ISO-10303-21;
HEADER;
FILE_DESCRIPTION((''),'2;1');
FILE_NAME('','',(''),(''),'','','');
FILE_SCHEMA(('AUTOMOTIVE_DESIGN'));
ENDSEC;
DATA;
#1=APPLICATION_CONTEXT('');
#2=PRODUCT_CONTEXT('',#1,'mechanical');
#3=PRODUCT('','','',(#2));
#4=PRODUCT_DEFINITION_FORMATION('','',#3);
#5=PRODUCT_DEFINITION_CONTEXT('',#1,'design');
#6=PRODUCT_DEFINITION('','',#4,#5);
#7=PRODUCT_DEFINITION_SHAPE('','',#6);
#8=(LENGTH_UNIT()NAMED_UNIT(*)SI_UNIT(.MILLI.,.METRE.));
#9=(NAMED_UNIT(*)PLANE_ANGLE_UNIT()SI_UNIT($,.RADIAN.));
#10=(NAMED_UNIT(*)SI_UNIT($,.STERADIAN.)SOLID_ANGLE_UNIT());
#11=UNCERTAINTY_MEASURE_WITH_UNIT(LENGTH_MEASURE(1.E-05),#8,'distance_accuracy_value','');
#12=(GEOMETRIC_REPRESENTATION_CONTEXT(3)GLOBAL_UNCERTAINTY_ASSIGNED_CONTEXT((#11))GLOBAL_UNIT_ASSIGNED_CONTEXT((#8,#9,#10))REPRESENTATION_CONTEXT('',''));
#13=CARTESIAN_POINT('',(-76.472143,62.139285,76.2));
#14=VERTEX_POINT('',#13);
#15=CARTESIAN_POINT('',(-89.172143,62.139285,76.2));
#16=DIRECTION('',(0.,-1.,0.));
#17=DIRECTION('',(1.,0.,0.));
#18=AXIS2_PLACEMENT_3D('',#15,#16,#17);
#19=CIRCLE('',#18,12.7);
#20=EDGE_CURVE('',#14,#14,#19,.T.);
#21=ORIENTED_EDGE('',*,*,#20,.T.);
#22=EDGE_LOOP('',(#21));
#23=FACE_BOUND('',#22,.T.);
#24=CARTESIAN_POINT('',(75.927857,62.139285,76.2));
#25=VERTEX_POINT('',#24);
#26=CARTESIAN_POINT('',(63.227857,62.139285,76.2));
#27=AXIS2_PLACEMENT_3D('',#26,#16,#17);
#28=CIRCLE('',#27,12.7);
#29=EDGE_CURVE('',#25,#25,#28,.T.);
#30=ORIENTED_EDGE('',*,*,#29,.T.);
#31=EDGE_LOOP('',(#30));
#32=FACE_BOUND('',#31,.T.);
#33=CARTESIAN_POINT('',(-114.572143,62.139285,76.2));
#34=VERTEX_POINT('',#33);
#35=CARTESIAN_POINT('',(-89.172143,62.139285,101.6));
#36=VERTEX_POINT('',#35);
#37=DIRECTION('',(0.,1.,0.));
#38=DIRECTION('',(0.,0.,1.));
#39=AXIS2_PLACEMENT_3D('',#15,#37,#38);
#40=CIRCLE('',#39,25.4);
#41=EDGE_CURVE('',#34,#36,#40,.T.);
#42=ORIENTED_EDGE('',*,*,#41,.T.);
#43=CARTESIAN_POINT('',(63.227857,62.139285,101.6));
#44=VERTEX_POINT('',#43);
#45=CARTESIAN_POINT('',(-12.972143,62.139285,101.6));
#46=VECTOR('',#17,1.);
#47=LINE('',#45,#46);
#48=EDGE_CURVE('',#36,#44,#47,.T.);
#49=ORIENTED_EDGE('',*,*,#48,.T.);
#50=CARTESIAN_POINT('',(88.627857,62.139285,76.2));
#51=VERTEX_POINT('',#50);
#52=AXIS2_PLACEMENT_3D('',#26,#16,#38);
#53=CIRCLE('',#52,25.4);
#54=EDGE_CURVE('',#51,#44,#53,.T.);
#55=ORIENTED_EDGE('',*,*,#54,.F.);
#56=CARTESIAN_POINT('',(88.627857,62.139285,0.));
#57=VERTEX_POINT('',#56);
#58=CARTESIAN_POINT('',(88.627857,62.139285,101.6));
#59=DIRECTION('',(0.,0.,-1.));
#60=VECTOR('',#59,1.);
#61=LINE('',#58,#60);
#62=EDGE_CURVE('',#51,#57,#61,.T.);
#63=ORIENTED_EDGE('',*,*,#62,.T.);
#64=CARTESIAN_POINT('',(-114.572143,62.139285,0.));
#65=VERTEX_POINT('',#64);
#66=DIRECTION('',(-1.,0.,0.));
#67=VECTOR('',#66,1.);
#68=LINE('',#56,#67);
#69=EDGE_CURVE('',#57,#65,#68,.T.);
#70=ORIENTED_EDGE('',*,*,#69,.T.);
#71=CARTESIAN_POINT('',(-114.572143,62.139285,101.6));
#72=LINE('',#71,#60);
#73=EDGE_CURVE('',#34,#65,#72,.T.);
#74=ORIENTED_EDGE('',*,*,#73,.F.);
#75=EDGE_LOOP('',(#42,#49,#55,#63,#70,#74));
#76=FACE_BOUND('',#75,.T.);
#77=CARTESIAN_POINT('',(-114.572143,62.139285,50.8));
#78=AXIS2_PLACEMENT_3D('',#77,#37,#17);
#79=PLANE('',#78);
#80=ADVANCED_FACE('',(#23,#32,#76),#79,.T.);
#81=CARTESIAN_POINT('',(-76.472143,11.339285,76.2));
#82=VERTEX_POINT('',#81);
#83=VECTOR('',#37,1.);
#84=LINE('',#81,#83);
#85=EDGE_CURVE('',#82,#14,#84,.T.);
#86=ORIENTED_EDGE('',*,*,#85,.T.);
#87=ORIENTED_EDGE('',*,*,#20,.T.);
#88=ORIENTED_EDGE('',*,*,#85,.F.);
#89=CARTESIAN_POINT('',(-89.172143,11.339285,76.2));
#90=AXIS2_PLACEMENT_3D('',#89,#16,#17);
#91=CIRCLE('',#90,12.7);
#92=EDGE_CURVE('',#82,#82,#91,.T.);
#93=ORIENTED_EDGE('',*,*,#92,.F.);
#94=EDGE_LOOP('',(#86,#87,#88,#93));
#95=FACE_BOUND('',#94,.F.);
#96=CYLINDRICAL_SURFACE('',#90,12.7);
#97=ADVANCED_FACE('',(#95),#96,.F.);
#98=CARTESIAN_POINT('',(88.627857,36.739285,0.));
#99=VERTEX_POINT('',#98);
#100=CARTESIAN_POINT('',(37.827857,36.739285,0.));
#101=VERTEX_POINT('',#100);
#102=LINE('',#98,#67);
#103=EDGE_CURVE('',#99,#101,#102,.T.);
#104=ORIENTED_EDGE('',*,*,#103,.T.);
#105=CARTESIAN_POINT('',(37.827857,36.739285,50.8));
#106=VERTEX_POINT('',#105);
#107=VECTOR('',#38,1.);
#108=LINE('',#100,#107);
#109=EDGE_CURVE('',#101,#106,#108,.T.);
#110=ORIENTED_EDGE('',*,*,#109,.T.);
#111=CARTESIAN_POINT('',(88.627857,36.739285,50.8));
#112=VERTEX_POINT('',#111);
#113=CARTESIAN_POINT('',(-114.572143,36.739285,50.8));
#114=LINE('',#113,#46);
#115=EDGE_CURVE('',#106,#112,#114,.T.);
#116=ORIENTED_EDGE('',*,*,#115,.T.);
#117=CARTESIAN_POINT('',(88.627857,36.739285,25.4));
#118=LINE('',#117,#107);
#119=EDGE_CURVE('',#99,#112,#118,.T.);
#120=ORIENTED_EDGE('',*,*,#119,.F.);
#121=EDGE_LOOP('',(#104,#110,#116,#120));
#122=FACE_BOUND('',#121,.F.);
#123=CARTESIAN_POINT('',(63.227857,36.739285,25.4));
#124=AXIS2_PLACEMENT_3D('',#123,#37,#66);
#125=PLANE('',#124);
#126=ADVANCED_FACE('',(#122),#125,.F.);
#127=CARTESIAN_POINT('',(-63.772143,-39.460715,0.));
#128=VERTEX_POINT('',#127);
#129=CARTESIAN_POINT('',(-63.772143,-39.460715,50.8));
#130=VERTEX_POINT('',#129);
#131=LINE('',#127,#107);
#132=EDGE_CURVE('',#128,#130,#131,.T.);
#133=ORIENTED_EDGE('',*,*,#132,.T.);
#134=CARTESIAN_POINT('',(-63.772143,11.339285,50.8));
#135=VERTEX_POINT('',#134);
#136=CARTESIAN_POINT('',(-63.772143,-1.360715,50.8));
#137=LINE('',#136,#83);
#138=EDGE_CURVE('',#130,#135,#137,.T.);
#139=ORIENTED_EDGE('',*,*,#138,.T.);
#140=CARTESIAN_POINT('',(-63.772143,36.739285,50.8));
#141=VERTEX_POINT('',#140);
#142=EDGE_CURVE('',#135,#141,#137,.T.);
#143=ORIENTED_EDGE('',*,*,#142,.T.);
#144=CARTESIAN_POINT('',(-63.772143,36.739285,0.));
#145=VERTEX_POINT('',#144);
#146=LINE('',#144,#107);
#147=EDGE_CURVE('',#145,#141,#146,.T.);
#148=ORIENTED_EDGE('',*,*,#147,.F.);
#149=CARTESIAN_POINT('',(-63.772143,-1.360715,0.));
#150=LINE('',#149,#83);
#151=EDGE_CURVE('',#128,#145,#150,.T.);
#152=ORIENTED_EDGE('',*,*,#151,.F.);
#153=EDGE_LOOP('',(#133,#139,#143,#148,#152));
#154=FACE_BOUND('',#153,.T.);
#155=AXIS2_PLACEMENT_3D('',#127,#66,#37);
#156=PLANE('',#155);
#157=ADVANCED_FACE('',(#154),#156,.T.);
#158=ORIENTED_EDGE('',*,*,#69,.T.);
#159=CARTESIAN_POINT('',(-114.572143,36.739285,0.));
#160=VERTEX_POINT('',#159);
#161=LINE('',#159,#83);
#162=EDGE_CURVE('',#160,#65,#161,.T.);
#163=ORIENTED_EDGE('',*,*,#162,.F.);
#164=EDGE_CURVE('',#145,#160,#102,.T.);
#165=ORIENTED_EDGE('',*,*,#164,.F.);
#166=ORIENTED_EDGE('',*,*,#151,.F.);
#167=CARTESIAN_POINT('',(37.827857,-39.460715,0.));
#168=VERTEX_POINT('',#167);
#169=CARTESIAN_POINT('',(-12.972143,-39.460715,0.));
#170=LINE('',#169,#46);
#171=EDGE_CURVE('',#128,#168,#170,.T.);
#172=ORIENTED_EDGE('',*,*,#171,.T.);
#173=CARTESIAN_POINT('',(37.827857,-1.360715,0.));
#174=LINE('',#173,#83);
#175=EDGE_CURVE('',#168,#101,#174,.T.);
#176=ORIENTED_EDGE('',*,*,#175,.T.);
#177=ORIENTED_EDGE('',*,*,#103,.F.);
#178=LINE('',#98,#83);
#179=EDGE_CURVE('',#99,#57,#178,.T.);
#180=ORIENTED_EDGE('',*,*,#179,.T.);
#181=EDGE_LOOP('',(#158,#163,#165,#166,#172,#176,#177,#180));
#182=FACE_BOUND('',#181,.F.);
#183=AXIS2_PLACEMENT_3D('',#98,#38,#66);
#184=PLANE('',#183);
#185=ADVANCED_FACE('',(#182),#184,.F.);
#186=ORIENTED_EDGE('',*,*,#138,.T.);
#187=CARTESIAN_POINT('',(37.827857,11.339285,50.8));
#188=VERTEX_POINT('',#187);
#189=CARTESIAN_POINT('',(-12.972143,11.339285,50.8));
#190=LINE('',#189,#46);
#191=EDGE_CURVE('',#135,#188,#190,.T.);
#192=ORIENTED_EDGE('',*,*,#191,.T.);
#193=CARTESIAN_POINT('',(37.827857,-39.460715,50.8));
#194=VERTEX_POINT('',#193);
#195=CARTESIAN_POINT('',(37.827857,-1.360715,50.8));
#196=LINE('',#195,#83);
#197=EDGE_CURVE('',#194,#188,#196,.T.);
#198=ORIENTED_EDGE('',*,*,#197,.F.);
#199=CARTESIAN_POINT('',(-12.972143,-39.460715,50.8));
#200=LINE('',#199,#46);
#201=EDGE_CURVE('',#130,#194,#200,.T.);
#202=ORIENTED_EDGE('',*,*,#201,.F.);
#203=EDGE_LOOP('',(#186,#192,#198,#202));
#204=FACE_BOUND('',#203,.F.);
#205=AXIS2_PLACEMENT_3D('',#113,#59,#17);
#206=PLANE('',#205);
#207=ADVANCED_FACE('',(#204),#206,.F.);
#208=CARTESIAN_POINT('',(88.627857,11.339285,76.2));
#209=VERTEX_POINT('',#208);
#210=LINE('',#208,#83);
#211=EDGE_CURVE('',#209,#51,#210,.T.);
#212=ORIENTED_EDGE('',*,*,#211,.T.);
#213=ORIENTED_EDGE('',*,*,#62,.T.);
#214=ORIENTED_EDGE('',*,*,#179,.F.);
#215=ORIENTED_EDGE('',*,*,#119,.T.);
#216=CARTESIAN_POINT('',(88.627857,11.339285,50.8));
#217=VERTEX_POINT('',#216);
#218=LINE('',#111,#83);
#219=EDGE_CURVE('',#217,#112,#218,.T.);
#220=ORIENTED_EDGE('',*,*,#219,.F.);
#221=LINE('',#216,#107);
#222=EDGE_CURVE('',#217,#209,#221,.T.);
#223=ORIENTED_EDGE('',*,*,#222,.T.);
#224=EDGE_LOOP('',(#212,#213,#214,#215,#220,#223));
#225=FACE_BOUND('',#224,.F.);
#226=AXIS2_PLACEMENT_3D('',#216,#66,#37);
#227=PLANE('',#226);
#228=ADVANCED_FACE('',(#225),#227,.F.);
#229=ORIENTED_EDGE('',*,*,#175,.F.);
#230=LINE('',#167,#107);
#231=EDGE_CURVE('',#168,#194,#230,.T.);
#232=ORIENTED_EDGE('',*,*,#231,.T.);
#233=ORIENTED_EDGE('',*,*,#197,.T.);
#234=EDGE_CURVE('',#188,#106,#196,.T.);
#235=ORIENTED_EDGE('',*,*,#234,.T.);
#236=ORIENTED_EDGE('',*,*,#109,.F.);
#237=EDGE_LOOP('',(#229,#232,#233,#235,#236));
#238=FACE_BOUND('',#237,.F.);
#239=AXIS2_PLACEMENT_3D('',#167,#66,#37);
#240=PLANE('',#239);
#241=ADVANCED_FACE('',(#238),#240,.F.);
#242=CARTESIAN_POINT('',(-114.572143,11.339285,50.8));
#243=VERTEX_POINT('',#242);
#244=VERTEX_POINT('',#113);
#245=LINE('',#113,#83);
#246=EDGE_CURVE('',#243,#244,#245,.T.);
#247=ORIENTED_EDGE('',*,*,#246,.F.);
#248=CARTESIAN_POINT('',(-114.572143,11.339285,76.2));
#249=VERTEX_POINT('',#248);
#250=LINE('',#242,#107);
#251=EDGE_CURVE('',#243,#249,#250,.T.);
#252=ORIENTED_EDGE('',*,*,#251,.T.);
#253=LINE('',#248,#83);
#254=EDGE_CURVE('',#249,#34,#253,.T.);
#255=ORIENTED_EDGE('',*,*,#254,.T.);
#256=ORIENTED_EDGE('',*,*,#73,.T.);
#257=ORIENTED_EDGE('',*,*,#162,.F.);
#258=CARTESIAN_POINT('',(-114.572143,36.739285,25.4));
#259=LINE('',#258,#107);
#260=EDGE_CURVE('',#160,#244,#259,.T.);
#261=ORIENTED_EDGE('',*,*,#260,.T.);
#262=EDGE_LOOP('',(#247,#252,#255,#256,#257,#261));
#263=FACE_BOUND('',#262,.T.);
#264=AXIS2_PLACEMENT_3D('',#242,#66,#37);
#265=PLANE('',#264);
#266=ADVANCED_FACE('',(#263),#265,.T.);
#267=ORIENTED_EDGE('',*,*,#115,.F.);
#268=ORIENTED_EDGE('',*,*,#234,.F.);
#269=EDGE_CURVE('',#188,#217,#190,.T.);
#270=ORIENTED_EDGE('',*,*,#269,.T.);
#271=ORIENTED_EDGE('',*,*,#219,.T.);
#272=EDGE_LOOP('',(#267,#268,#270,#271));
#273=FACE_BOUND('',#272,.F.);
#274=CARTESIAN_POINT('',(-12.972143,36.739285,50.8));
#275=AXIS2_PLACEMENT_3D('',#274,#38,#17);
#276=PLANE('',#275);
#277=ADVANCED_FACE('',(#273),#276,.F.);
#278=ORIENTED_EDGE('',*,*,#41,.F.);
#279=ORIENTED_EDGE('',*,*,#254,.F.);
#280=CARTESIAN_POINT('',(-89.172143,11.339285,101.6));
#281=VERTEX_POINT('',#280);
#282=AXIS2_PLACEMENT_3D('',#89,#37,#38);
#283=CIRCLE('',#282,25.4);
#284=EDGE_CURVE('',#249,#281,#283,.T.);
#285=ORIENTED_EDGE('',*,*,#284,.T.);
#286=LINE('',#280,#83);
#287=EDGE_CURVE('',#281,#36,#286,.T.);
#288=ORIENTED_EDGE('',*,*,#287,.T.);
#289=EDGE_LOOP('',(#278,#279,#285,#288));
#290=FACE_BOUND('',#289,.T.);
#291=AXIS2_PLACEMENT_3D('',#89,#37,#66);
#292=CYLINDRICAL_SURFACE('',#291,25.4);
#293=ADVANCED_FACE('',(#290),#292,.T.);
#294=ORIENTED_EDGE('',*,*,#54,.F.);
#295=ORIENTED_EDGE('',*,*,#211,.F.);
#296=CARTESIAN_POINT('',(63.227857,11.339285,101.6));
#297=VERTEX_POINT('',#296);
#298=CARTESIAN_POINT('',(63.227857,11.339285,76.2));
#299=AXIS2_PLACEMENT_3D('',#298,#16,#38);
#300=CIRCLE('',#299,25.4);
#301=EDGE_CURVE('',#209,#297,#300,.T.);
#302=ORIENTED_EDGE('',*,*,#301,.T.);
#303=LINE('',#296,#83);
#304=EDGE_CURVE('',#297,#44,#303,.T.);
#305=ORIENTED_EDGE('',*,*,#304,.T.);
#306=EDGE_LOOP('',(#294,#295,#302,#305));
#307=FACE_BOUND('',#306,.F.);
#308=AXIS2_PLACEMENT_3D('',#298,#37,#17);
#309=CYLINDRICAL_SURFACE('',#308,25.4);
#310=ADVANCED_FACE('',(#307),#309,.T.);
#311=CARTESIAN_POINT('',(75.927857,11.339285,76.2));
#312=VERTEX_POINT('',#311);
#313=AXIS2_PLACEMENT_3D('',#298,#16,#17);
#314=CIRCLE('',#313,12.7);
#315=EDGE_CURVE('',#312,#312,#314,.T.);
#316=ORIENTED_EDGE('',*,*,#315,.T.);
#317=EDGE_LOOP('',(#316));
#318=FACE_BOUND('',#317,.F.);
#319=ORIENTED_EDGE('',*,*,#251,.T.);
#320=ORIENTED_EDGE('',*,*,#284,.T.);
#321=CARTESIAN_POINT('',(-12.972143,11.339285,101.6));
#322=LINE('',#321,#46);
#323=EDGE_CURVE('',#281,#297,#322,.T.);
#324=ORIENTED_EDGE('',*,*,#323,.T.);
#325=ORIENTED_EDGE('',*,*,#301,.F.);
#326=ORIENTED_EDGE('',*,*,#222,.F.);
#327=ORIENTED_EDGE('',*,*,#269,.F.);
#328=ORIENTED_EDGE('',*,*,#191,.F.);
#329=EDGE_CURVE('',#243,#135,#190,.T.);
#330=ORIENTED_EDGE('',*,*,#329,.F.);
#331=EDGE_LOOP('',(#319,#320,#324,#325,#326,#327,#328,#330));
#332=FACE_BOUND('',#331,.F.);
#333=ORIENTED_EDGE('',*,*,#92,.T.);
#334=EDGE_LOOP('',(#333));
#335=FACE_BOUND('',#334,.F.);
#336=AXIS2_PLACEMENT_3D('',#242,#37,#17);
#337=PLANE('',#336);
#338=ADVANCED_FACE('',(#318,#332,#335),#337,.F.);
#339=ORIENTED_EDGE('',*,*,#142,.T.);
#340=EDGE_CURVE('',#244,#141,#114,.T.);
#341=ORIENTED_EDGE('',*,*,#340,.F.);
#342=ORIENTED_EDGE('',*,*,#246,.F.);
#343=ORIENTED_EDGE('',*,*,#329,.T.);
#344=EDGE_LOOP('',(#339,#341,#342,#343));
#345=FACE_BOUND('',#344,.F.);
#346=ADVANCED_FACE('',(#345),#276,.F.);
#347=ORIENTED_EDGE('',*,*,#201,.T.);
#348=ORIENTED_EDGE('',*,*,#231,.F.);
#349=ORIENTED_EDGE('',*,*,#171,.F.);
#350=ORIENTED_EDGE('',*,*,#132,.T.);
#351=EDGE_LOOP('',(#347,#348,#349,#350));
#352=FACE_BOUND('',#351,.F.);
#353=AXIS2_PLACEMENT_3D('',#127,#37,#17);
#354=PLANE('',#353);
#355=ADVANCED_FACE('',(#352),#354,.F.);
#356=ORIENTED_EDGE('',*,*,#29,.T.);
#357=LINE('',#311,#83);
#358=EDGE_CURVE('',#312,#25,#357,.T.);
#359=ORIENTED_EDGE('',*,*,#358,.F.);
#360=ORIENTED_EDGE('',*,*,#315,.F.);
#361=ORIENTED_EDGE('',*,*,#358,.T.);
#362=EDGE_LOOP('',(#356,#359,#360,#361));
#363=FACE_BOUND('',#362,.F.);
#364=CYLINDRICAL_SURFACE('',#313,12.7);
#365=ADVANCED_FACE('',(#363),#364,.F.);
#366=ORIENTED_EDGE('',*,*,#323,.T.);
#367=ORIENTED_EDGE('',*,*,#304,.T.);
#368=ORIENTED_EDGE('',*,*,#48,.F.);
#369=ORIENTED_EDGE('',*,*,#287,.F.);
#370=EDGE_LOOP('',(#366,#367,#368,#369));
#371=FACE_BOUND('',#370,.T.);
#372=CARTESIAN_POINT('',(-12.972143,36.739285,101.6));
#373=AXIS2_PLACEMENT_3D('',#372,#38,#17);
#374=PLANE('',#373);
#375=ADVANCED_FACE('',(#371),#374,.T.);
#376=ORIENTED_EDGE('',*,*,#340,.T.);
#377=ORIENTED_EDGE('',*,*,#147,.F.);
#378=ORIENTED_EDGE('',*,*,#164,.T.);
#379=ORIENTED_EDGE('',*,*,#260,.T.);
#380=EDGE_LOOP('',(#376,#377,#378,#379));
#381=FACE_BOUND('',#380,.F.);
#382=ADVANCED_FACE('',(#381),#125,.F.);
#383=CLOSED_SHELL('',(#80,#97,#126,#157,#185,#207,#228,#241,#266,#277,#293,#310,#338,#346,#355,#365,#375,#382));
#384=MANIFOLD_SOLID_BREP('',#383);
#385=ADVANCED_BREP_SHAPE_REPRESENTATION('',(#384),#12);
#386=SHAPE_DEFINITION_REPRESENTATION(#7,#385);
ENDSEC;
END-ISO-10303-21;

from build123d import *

# Parameters (mm, degrees)
F0_W      = 101.6
F0_H      = 76.2
F1_DEPTH  = 50.8
F2_W      = 50.8
F2_H      = 50.8
F2_W_2    = 101.6
F3_DEPTH  = 25.4
F4_W      = 203.2
F4_H      = 50.8
F5_DEPTH  = 50.8
F6_R      = 25.4
F7_R      = 12.7
F8_DEPTH  = 53.086
F9_R      = 12.7
F10_DEPTH = 60.96


with BuildPart() as f1:
    # F0 (on Top) → F1 (new body)
    with BuildSketch(Plane.XY):
        with Locations((-12.972143, -1.360715)):
            Rectangle(F0_W, F0_H)
    extrude(amount=F1_DEPTH)

    # F2 (on face) → F3 (join)
    with BuildSketch(Plane(origin=(0, 36.739285, 0), x_dir=(-1, 0, 0), z_dir=(0, 1, 0))):
        with Locations((-63.227857, 25.4)):
            Rectangle(F2_W, F2_H)
        with Locations((12.972143, 25.4)):
            Rectangle(F2_W_2, F2_H)
        with Locations((89.172143, 25.4)):
            Rectangle(F2_W, F2_H)
    extrude(amount=F3_DEPTH)

    # F4 (on face) → F5 (join)
    with BuildSketch(Plane.XY.offset(50.8)):
        with Locations((-12.972143, 36.739285)):
            Rectangle(F4_W, F4_H)
    extrude(amount=F5_DEPTH)

    # F6
    f6_edges = [f1.edges().sort_by_distance(p)[0] for p in [
        (88.627857, 36.739285, 101.6),
        (-114.572143, 36.739285, 101.6),
    ]]
    fillet(f6_edges, radius=F6_R)

    # F7 (on face) → F8 (cut)
    with BuildSketch(Plane.XZ.offset(-11.339285)):
        with Locations((63.227857, 76.2)):
            Circle(F7_R)
    extrude(amount=-F8_DEPTH, mode=Mode.SUBTRACT)

    # F9 (on face) → F10 (cut)
    with BuildSketch(Plane.XZ.offset(-11.339285)):
        with Locations((-89.172143, 76.2)):
            Circle(F9_R)
    extrude(amount=-F10_DEPTH, mode=Mode.SUBTRACT)


solid = f1.part
